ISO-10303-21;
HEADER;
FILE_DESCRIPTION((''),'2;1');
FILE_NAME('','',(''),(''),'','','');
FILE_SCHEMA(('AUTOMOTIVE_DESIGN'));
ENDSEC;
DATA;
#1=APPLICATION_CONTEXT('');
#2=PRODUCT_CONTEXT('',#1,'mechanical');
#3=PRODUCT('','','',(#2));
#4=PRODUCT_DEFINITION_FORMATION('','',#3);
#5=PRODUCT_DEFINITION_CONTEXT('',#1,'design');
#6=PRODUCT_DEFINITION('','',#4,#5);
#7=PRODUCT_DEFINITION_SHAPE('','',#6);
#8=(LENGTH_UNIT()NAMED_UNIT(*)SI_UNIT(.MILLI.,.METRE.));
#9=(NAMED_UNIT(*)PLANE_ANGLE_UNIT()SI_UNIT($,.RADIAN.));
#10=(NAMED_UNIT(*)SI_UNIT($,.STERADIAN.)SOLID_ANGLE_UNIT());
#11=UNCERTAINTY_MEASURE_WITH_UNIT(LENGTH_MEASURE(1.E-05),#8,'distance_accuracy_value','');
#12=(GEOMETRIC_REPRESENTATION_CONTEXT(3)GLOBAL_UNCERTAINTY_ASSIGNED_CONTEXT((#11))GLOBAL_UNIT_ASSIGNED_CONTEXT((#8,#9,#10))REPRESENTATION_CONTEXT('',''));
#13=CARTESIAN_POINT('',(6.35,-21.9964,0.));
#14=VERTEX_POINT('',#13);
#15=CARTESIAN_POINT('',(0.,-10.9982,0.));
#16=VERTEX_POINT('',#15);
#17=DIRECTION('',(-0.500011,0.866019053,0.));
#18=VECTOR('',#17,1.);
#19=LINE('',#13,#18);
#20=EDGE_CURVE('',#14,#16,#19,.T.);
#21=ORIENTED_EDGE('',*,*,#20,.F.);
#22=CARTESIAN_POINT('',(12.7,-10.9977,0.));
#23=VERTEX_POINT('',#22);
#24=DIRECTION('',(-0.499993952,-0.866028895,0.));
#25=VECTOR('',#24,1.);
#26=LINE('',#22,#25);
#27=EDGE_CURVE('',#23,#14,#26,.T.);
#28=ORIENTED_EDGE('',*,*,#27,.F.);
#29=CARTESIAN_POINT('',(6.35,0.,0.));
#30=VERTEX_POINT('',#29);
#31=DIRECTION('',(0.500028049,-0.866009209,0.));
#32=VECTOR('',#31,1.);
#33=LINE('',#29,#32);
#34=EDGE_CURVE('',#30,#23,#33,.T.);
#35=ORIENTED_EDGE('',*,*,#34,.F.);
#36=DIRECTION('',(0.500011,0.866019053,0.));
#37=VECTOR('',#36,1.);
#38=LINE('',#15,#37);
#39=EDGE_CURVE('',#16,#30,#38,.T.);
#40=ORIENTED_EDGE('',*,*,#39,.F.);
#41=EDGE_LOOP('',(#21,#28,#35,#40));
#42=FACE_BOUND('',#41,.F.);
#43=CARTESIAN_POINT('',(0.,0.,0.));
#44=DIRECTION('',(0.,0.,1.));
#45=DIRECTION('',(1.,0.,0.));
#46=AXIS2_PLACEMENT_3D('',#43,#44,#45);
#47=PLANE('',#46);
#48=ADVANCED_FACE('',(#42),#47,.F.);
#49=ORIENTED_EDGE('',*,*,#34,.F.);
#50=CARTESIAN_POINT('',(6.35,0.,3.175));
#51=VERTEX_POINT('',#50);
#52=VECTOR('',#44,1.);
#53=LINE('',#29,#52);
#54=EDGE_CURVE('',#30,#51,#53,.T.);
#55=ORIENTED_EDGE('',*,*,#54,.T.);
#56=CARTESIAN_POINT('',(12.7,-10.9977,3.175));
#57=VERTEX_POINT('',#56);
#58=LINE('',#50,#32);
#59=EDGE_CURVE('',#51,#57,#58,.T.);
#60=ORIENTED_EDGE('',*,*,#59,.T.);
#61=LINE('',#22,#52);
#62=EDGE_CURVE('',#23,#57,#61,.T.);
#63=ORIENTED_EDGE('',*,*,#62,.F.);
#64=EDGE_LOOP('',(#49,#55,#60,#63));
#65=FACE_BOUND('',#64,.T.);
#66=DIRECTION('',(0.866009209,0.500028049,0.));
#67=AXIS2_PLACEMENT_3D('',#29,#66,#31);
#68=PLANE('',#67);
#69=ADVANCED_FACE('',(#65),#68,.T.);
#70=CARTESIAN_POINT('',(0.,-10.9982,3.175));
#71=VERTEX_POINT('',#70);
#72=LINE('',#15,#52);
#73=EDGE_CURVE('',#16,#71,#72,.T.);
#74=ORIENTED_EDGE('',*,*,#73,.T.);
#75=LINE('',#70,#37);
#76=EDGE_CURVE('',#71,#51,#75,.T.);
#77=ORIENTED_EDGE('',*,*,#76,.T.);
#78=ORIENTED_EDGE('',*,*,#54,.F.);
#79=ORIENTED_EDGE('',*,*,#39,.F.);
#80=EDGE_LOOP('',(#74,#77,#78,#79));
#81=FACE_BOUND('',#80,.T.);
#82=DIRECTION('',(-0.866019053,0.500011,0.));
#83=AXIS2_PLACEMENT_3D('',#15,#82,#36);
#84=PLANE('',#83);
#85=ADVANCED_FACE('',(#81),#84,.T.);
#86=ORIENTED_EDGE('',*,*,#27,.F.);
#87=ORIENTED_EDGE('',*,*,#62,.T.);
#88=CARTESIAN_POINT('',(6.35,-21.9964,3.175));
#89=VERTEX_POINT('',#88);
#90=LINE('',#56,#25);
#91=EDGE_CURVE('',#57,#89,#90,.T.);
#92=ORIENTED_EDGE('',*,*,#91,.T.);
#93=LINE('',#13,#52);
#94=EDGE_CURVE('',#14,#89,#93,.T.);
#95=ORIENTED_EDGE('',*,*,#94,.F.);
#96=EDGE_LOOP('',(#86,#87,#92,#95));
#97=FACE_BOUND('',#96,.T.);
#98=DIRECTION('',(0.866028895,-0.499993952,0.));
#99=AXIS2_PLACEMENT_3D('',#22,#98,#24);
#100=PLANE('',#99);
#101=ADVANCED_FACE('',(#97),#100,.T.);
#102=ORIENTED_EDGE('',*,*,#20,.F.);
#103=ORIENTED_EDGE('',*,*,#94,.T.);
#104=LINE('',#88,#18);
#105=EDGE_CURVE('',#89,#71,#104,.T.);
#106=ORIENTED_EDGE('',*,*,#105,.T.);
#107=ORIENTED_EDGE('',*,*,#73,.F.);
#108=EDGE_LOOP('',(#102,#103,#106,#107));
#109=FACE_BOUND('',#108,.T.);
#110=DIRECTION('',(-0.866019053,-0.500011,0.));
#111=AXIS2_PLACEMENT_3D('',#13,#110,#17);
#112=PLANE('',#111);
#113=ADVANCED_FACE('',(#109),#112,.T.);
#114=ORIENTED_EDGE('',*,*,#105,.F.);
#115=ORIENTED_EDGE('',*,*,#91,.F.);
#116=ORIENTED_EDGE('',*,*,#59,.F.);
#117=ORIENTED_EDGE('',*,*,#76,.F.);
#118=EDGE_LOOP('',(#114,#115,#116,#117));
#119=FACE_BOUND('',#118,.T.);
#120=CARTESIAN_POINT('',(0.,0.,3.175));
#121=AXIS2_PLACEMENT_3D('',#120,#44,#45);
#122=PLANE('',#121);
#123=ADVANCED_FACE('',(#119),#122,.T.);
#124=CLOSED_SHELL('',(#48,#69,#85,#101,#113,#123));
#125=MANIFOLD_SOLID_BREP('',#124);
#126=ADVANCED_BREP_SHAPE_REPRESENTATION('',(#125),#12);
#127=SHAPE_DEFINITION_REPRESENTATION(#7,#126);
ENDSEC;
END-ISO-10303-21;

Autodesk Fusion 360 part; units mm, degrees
sketch "Parallelogram" plane through (0, 0, 0) normal (0, 0, 1) x (1, 0, 0)
  line L0 (6.35, 0) -> (12.7, -10.9977)
  line L1 (12.7, -10.9977) -> (6.35, -21.9964)
  line L2 (0, -10.9982) -> (6.35, 0)
  line L3 (6.35, -21.9964) -> (0, -10.9982)
extrude "Extrude1" add sketch "Parallelogram" along normal blind 3.175
